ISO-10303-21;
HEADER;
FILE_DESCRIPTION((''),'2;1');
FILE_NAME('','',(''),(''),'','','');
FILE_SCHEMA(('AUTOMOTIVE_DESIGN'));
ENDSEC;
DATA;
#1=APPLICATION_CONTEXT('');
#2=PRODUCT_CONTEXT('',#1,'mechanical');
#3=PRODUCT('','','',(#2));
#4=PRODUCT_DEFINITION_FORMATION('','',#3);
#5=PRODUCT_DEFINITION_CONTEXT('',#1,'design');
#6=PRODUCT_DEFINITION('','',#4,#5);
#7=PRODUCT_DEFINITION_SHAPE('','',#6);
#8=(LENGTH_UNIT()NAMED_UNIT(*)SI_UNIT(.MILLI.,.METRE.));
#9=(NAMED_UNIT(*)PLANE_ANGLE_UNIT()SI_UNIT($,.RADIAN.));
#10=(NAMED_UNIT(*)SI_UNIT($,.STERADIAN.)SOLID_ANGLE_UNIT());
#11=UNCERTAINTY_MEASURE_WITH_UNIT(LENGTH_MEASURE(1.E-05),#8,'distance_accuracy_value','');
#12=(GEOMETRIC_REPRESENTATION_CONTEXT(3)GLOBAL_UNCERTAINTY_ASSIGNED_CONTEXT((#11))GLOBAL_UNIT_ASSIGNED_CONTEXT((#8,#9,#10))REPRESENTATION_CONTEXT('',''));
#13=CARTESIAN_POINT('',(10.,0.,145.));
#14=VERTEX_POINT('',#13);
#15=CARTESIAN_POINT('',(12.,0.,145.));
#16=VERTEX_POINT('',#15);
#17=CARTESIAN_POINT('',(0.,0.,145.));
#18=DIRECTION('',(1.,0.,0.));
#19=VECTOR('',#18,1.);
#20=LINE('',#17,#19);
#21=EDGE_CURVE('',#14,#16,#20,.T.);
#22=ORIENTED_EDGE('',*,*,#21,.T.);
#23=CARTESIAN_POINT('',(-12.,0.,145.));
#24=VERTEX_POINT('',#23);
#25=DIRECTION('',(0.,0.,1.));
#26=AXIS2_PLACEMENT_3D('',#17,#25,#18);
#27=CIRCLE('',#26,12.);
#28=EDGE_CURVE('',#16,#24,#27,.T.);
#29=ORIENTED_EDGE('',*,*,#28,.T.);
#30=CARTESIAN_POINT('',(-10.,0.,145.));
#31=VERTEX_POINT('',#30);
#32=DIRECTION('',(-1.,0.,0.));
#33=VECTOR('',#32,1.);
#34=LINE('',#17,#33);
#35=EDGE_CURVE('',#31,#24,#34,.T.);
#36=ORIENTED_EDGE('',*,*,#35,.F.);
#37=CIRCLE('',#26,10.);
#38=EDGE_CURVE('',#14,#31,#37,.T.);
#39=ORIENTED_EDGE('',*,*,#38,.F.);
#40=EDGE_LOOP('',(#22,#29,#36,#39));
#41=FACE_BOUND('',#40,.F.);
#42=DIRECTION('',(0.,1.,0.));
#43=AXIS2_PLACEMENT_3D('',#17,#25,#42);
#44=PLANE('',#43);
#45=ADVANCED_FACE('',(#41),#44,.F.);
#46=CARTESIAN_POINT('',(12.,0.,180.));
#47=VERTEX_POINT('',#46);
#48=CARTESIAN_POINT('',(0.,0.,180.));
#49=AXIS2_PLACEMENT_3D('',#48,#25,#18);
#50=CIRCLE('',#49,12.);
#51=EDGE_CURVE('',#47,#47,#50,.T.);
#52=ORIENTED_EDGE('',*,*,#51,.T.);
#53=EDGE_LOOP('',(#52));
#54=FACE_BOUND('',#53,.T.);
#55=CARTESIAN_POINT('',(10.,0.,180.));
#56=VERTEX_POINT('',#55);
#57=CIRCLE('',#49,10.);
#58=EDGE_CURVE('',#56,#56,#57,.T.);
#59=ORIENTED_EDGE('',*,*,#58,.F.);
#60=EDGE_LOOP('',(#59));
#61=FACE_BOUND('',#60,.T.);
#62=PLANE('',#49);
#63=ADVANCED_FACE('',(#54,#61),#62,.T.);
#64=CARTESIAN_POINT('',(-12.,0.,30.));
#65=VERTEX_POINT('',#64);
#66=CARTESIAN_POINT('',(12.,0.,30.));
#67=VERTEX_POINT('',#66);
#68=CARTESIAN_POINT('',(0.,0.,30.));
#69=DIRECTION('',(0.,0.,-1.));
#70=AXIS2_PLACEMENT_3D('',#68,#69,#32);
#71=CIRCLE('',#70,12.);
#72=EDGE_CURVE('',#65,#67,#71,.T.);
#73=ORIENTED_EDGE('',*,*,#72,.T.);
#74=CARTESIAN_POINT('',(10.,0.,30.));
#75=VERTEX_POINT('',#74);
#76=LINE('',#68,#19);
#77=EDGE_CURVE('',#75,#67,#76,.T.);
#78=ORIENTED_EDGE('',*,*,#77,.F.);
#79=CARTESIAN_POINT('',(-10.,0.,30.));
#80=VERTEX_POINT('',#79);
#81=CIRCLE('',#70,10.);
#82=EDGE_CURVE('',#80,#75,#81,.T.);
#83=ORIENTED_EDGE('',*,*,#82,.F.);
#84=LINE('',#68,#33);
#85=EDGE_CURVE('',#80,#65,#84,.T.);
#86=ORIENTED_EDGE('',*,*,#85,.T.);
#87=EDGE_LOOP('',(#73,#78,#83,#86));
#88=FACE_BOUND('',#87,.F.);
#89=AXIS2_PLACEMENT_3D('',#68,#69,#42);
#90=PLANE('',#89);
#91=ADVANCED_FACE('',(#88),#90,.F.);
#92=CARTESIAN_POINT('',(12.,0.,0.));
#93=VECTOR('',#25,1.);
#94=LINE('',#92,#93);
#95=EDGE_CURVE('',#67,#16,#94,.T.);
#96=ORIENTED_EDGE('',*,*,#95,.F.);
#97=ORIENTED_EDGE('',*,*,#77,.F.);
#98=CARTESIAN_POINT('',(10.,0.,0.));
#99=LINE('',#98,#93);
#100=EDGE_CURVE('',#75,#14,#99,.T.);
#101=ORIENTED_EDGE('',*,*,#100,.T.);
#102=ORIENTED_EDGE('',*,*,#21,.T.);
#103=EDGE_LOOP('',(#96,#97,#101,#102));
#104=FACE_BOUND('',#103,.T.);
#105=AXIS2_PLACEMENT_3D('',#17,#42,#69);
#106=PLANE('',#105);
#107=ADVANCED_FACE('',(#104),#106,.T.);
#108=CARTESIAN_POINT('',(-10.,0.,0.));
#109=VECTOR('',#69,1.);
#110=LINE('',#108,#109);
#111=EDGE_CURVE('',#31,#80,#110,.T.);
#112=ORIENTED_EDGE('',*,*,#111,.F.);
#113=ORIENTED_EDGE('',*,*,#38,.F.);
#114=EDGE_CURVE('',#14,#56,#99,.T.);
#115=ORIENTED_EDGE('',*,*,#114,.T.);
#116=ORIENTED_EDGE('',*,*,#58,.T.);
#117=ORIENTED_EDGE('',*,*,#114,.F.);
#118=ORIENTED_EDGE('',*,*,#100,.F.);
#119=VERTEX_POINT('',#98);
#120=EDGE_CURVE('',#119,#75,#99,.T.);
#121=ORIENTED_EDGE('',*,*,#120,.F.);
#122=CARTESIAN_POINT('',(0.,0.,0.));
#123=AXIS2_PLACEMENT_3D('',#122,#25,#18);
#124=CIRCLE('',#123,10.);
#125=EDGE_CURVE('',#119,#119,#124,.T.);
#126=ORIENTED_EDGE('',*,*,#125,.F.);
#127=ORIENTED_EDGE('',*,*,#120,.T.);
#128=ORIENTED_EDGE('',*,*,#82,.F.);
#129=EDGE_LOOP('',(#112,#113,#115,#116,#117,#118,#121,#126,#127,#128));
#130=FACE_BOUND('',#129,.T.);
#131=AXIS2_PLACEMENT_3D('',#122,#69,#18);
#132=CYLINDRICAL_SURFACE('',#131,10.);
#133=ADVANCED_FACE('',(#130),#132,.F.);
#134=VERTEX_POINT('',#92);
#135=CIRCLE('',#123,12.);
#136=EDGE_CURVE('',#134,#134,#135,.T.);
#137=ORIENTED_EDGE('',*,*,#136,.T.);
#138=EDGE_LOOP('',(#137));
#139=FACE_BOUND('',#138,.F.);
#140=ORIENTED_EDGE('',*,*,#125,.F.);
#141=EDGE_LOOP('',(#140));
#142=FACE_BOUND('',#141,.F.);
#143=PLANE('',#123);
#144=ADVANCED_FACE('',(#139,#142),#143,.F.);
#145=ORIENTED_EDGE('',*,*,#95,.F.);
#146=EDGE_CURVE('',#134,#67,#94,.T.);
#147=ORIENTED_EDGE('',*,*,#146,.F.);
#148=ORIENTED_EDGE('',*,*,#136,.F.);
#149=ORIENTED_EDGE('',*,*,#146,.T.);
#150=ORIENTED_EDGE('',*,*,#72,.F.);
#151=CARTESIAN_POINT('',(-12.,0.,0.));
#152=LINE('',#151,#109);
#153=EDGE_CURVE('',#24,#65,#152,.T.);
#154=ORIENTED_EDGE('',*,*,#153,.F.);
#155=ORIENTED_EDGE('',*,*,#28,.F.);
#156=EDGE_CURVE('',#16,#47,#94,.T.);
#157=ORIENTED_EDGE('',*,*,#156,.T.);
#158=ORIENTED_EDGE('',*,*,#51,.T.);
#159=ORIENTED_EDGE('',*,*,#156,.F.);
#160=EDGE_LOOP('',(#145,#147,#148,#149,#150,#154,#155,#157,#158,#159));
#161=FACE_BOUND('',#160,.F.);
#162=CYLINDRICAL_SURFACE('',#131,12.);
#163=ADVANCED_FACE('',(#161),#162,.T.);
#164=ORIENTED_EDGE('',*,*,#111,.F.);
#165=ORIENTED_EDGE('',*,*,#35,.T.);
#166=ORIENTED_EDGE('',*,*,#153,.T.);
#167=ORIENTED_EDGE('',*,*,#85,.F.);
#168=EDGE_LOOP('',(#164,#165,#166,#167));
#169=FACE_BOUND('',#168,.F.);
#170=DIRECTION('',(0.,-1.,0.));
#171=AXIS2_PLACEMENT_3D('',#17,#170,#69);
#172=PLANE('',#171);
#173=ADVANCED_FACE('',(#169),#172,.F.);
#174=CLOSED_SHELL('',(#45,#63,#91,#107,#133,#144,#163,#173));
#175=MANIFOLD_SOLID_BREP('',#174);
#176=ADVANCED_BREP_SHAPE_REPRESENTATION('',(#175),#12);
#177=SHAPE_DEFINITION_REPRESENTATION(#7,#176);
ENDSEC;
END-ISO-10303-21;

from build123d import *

# Parameters (mm, degrees)
SCHIZZO1_R                    = 12
SCHIZZO1_R_2                  = 10
ESTRUSIONE_ESTRUSIONE1_DEPTH  = 180
TAGLIO_ESTRUSIONE1_DEPTH      = 20
TAGLIO_ESTRUSIONE1_DEPTH_BACK = 20
SCHIZZO2_W                    = 115
SCHIZZO2_H                    = 12


with BuildPart() as part:
    # Schizzo1 → Estrusione-Estrusione1 (new body)
    with BuildSketch(Plane.XY):
        Circle(SCHIZZO1_R)
        Circle(SCHIZZO1_R_2, mode=Mode.SUBTRACT)
    extrude(amount=ESTRUSIONE_ESTRUSIONE1_DEPTH)

    # Schizzo2 → Taglio-Estrusione1 (cut, two sides: drawn at the far end of the back side and taken through both)
    with BuildSketch(Plane(origin=(0, 0, 0), x_dir=(0, 0, -1), z_dir=(1, 0, 0)).offset(-TAGLIO_ESTRUSIONE1_DEPTH_BACK)):
        with Locations((-87.5, 6)):
            Rectangle(SCHIZZO2_W, SCHIZZO2_H)
    extrude(amount=TAGLIO_ESTRUSIONE1_DEPTH + TAGLIO_ESTRUSIONE1_DEPTH_BACK, mode=Mode.SUBTRACT)


solid = part.part
